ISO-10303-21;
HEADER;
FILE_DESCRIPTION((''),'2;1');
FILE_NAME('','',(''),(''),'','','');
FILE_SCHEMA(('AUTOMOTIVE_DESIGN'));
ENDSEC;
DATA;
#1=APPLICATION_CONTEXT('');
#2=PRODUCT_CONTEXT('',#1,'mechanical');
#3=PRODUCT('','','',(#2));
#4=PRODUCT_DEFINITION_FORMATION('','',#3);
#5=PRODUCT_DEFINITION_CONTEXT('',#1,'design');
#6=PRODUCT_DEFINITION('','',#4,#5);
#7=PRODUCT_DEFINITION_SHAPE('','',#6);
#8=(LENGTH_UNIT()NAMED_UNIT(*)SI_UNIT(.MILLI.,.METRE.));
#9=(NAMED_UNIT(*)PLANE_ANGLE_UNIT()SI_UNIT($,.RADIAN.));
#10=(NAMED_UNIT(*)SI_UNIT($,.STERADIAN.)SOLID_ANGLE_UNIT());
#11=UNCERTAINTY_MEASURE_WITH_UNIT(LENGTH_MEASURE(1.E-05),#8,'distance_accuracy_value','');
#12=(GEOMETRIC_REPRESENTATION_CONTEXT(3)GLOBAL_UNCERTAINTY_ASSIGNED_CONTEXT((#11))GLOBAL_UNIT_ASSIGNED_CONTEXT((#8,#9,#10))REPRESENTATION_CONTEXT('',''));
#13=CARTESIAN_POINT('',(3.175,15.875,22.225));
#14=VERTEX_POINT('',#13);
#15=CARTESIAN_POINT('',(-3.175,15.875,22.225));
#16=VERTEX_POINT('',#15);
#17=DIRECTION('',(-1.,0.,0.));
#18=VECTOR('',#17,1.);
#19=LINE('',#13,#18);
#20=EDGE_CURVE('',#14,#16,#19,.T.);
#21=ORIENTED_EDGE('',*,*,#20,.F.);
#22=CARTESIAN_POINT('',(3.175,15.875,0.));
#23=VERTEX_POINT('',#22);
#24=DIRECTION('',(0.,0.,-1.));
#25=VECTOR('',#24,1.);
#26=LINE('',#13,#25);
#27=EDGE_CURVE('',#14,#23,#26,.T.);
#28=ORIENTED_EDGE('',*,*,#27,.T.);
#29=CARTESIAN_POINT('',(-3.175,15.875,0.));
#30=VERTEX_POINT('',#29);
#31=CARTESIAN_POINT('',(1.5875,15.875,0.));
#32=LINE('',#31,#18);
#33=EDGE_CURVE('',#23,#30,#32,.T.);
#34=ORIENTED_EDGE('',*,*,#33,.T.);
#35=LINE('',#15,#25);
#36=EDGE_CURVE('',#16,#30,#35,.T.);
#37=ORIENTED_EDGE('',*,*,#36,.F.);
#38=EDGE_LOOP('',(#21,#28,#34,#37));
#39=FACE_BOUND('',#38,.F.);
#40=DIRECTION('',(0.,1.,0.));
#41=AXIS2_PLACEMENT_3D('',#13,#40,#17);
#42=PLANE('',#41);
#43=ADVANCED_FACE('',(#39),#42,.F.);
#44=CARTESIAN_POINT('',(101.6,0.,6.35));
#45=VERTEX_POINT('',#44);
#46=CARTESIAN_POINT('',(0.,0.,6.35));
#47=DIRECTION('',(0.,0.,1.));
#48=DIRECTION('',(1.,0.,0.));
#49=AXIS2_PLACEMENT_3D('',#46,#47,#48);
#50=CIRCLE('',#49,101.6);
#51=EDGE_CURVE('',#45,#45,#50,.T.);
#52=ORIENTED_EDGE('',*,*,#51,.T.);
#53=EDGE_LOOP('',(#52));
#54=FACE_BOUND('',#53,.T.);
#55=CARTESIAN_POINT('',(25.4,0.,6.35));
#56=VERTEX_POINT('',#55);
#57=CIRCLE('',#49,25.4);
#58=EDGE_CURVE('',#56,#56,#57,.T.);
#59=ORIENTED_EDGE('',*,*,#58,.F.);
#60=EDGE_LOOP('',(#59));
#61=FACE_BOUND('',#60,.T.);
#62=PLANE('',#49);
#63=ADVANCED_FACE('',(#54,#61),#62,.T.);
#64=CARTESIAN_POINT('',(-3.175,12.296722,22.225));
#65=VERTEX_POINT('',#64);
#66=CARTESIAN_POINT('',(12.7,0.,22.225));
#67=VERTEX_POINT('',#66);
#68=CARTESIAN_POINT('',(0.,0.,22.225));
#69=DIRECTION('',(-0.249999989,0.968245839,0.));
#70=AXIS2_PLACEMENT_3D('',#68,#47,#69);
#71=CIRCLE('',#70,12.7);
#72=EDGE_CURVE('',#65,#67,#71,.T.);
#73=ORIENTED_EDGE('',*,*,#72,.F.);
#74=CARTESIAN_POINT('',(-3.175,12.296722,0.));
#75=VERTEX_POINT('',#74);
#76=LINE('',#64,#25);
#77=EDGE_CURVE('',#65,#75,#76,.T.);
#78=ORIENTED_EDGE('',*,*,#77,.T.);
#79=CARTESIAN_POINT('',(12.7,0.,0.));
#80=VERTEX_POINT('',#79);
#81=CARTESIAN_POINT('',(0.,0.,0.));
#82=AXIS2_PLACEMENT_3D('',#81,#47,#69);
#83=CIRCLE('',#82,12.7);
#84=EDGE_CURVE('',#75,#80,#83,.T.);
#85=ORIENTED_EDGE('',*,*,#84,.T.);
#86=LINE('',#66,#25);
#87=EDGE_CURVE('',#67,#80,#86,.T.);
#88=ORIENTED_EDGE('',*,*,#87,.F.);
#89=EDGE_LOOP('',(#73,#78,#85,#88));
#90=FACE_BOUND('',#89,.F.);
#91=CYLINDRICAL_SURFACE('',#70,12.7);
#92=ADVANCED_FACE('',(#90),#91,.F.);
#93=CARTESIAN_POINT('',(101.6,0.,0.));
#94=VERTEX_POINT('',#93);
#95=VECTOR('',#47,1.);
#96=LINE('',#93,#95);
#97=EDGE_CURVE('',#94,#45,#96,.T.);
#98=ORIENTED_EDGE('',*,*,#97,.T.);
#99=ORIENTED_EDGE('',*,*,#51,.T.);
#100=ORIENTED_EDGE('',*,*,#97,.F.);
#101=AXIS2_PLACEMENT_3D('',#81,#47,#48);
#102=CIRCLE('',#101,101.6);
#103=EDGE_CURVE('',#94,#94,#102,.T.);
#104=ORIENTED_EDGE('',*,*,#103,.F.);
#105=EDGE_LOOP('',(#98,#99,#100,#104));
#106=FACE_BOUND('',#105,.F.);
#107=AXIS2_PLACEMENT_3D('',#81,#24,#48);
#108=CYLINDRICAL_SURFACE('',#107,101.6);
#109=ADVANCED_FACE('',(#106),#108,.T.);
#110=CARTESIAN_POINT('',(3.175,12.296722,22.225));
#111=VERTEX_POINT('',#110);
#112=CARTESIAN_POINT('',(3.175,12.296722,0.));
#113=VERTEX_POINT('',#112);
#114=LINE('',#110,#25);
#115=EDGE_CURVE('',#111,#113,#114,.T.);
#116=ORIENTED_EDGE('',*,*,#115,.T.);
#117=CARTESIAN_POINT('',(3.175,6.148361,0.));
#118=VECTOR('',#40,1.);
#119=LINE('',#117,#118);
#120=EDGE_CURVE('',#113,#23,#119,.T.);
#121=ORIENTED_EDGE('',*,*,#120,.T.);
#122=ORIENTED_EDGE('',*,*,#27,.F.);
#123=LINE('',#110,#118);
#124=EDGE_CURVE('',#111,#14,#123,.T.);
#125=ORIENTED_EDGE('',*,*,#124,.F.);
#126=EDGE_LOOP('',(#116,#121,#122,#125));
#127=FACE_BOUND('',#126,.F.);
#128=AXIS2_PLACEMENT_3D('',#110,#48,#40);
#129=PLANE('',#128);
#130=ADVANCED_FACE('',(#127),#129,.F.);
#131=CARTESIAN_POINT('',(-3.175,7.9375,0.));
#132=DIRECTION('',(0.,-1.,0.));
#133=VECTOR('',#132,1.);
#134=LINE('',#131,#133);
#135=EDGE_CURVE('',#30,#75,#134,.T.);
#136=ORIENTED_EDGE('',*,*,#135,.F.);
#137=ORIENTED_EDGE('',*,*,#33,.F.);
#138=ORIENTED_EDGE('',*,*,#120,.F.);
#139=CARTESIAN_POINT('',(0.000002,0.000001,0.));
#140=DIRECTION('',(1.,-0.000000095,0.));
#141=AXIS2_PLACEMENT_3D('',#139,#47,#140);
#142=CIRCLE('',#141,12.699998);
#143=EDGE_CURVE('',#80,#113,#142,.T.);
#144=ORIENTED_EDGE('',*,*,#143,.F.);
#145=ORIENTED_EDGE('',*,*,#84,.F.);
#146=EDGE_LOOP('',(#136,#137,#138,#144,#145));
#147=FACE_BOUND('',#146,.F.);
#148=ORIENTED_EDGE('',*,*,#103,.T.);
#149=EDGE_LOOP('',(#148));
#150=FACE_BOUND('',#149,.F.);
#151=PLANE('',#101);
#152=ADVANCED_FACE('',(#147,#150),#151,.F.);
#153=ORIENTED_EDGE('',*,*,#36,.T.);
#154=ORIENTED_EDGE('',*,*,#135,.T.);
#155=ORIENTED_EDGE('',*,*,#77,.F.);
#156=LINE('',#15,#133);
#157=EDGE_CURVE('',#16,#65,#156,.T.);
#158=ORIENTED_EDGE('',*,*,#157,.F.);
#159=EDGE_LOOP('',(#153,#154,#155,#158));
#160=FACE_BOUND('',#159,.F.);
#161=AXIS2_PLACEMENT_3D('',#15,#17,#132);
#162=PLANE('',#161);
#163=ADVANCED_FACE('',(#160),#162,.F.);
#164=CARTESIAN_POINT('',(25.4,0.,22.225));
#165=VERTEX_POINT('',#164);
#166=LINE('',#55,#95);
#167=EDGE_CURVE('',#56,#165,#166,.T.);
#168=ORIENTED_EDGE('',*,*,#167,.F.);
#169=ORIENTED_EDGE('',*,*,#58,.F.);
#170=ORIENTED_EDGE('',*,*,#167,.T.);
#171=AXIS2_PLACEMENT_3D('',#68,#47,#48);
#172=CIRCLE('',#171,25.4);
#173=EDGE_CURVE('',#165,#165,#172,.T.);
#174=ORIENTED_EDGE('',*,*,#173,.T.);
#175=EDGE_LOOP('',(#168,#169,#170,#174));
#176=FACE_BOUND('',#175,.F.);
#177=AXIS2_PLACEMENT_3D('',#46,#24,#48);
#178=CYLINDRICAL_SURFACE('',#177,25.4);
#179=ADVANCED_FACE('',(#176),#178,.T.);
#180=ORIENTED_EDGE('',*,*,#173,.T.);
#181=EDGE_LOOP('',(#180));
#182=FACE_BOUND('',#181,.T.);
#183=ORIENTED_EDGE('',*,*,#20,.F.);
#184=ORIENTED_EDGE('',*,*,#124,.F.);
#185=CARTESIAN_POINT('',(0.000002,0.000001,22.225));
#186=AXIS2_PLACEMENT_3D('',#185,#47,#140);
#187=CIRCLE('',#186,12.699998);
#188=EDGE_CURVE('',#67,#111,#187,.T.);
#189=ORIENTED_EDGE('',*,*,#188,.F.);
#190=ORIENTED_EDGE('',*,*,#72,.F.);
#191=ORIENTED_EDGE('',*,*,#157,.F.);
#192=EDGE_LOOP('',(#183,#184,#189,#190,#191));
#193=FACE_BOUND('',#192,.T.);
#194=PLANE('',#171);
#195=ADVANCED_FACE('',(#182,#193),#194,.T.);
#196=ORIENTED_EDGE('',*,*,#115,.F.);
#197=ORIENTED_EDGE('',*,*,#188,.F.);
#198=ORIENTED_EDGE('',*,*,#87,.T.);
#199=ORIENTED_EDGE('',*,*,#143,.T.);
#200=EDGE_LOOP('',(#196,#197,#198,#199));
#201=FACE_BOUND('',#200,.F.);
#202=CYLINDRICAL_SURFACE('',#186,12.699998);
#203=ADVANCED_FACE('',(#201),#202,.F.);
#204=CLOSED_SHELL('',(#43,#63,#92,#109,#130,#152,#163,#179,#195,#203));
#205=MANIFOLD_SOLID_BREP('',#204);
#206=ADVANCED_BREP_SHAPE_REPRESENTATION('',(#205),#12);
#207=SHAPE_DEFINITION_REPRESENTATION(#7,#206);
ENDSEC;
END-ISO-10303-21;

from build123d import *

# Parameters (mm, degrees)
F0_R     = 101.6
F1_DEPTH = 6.35
F2_R     = 25.4
F3_DEPTH = 15.875
F5_DEPTH = 22.226


with BuildPart() as f1:
    # F0 (on Top) → F1 (new body)
    with BuildSketch(Plane.XY):
        Circle(F0_R)
    extrude(amount=F1_DEPTH)

    # F2 (on face) → F3 (join)
    with BuildSketch(Plane.XY.offset(6.35)):
        Circle(F2_R)
    extrude(amount=F3_DEPTH)

    # F4 (on face) → F5 (cut, through all)
    with BuildSketch(Plane.XY.offset(22.225)):
        with BuildLine():
            ThreePointArc((-3.175, 12.296722), (-7.77713, -10.040232), (12.7, 0))
            ThreePointArc((12.7, 0), (10.040232, 7.77713), (3.175, 12.296722))
            Line((3.175, 12.296722), (3.175, 9.525))
            Line((3.175, 9.525), (-3.175, 9.525))
            Line((-3.175, 9.525), (-3.175, 12.296722))
        make_face()
        with BuildLine():
            Line((3.175, 9.525), (3.175, 12.296722))
            ThreePointArc((3.175, 12.296722), (0, 12.7), (-3.175, 12.296722))
            Line((-3.175, 12.296722), (-3.175, 9.525))
            Line((-3.175, 9.525), (3.175, 9.525))
        make_face()
        with BuildLine():
            ThreePointArc((-3.175, 12.296722), (0, 12.7), (3.175, 12.296722))
            Line((3.175, 12.296722), (3.175, 15.875))
            Line((3.175, 15.875), (-3.175, 15.875))
            Line((-3.175, 15.875), (-3.175, 12.296722))
        make_face()
    extrude(amount=-F5_DEPTH, mode=Mode.SUBTRACT)


solid = f1.part
